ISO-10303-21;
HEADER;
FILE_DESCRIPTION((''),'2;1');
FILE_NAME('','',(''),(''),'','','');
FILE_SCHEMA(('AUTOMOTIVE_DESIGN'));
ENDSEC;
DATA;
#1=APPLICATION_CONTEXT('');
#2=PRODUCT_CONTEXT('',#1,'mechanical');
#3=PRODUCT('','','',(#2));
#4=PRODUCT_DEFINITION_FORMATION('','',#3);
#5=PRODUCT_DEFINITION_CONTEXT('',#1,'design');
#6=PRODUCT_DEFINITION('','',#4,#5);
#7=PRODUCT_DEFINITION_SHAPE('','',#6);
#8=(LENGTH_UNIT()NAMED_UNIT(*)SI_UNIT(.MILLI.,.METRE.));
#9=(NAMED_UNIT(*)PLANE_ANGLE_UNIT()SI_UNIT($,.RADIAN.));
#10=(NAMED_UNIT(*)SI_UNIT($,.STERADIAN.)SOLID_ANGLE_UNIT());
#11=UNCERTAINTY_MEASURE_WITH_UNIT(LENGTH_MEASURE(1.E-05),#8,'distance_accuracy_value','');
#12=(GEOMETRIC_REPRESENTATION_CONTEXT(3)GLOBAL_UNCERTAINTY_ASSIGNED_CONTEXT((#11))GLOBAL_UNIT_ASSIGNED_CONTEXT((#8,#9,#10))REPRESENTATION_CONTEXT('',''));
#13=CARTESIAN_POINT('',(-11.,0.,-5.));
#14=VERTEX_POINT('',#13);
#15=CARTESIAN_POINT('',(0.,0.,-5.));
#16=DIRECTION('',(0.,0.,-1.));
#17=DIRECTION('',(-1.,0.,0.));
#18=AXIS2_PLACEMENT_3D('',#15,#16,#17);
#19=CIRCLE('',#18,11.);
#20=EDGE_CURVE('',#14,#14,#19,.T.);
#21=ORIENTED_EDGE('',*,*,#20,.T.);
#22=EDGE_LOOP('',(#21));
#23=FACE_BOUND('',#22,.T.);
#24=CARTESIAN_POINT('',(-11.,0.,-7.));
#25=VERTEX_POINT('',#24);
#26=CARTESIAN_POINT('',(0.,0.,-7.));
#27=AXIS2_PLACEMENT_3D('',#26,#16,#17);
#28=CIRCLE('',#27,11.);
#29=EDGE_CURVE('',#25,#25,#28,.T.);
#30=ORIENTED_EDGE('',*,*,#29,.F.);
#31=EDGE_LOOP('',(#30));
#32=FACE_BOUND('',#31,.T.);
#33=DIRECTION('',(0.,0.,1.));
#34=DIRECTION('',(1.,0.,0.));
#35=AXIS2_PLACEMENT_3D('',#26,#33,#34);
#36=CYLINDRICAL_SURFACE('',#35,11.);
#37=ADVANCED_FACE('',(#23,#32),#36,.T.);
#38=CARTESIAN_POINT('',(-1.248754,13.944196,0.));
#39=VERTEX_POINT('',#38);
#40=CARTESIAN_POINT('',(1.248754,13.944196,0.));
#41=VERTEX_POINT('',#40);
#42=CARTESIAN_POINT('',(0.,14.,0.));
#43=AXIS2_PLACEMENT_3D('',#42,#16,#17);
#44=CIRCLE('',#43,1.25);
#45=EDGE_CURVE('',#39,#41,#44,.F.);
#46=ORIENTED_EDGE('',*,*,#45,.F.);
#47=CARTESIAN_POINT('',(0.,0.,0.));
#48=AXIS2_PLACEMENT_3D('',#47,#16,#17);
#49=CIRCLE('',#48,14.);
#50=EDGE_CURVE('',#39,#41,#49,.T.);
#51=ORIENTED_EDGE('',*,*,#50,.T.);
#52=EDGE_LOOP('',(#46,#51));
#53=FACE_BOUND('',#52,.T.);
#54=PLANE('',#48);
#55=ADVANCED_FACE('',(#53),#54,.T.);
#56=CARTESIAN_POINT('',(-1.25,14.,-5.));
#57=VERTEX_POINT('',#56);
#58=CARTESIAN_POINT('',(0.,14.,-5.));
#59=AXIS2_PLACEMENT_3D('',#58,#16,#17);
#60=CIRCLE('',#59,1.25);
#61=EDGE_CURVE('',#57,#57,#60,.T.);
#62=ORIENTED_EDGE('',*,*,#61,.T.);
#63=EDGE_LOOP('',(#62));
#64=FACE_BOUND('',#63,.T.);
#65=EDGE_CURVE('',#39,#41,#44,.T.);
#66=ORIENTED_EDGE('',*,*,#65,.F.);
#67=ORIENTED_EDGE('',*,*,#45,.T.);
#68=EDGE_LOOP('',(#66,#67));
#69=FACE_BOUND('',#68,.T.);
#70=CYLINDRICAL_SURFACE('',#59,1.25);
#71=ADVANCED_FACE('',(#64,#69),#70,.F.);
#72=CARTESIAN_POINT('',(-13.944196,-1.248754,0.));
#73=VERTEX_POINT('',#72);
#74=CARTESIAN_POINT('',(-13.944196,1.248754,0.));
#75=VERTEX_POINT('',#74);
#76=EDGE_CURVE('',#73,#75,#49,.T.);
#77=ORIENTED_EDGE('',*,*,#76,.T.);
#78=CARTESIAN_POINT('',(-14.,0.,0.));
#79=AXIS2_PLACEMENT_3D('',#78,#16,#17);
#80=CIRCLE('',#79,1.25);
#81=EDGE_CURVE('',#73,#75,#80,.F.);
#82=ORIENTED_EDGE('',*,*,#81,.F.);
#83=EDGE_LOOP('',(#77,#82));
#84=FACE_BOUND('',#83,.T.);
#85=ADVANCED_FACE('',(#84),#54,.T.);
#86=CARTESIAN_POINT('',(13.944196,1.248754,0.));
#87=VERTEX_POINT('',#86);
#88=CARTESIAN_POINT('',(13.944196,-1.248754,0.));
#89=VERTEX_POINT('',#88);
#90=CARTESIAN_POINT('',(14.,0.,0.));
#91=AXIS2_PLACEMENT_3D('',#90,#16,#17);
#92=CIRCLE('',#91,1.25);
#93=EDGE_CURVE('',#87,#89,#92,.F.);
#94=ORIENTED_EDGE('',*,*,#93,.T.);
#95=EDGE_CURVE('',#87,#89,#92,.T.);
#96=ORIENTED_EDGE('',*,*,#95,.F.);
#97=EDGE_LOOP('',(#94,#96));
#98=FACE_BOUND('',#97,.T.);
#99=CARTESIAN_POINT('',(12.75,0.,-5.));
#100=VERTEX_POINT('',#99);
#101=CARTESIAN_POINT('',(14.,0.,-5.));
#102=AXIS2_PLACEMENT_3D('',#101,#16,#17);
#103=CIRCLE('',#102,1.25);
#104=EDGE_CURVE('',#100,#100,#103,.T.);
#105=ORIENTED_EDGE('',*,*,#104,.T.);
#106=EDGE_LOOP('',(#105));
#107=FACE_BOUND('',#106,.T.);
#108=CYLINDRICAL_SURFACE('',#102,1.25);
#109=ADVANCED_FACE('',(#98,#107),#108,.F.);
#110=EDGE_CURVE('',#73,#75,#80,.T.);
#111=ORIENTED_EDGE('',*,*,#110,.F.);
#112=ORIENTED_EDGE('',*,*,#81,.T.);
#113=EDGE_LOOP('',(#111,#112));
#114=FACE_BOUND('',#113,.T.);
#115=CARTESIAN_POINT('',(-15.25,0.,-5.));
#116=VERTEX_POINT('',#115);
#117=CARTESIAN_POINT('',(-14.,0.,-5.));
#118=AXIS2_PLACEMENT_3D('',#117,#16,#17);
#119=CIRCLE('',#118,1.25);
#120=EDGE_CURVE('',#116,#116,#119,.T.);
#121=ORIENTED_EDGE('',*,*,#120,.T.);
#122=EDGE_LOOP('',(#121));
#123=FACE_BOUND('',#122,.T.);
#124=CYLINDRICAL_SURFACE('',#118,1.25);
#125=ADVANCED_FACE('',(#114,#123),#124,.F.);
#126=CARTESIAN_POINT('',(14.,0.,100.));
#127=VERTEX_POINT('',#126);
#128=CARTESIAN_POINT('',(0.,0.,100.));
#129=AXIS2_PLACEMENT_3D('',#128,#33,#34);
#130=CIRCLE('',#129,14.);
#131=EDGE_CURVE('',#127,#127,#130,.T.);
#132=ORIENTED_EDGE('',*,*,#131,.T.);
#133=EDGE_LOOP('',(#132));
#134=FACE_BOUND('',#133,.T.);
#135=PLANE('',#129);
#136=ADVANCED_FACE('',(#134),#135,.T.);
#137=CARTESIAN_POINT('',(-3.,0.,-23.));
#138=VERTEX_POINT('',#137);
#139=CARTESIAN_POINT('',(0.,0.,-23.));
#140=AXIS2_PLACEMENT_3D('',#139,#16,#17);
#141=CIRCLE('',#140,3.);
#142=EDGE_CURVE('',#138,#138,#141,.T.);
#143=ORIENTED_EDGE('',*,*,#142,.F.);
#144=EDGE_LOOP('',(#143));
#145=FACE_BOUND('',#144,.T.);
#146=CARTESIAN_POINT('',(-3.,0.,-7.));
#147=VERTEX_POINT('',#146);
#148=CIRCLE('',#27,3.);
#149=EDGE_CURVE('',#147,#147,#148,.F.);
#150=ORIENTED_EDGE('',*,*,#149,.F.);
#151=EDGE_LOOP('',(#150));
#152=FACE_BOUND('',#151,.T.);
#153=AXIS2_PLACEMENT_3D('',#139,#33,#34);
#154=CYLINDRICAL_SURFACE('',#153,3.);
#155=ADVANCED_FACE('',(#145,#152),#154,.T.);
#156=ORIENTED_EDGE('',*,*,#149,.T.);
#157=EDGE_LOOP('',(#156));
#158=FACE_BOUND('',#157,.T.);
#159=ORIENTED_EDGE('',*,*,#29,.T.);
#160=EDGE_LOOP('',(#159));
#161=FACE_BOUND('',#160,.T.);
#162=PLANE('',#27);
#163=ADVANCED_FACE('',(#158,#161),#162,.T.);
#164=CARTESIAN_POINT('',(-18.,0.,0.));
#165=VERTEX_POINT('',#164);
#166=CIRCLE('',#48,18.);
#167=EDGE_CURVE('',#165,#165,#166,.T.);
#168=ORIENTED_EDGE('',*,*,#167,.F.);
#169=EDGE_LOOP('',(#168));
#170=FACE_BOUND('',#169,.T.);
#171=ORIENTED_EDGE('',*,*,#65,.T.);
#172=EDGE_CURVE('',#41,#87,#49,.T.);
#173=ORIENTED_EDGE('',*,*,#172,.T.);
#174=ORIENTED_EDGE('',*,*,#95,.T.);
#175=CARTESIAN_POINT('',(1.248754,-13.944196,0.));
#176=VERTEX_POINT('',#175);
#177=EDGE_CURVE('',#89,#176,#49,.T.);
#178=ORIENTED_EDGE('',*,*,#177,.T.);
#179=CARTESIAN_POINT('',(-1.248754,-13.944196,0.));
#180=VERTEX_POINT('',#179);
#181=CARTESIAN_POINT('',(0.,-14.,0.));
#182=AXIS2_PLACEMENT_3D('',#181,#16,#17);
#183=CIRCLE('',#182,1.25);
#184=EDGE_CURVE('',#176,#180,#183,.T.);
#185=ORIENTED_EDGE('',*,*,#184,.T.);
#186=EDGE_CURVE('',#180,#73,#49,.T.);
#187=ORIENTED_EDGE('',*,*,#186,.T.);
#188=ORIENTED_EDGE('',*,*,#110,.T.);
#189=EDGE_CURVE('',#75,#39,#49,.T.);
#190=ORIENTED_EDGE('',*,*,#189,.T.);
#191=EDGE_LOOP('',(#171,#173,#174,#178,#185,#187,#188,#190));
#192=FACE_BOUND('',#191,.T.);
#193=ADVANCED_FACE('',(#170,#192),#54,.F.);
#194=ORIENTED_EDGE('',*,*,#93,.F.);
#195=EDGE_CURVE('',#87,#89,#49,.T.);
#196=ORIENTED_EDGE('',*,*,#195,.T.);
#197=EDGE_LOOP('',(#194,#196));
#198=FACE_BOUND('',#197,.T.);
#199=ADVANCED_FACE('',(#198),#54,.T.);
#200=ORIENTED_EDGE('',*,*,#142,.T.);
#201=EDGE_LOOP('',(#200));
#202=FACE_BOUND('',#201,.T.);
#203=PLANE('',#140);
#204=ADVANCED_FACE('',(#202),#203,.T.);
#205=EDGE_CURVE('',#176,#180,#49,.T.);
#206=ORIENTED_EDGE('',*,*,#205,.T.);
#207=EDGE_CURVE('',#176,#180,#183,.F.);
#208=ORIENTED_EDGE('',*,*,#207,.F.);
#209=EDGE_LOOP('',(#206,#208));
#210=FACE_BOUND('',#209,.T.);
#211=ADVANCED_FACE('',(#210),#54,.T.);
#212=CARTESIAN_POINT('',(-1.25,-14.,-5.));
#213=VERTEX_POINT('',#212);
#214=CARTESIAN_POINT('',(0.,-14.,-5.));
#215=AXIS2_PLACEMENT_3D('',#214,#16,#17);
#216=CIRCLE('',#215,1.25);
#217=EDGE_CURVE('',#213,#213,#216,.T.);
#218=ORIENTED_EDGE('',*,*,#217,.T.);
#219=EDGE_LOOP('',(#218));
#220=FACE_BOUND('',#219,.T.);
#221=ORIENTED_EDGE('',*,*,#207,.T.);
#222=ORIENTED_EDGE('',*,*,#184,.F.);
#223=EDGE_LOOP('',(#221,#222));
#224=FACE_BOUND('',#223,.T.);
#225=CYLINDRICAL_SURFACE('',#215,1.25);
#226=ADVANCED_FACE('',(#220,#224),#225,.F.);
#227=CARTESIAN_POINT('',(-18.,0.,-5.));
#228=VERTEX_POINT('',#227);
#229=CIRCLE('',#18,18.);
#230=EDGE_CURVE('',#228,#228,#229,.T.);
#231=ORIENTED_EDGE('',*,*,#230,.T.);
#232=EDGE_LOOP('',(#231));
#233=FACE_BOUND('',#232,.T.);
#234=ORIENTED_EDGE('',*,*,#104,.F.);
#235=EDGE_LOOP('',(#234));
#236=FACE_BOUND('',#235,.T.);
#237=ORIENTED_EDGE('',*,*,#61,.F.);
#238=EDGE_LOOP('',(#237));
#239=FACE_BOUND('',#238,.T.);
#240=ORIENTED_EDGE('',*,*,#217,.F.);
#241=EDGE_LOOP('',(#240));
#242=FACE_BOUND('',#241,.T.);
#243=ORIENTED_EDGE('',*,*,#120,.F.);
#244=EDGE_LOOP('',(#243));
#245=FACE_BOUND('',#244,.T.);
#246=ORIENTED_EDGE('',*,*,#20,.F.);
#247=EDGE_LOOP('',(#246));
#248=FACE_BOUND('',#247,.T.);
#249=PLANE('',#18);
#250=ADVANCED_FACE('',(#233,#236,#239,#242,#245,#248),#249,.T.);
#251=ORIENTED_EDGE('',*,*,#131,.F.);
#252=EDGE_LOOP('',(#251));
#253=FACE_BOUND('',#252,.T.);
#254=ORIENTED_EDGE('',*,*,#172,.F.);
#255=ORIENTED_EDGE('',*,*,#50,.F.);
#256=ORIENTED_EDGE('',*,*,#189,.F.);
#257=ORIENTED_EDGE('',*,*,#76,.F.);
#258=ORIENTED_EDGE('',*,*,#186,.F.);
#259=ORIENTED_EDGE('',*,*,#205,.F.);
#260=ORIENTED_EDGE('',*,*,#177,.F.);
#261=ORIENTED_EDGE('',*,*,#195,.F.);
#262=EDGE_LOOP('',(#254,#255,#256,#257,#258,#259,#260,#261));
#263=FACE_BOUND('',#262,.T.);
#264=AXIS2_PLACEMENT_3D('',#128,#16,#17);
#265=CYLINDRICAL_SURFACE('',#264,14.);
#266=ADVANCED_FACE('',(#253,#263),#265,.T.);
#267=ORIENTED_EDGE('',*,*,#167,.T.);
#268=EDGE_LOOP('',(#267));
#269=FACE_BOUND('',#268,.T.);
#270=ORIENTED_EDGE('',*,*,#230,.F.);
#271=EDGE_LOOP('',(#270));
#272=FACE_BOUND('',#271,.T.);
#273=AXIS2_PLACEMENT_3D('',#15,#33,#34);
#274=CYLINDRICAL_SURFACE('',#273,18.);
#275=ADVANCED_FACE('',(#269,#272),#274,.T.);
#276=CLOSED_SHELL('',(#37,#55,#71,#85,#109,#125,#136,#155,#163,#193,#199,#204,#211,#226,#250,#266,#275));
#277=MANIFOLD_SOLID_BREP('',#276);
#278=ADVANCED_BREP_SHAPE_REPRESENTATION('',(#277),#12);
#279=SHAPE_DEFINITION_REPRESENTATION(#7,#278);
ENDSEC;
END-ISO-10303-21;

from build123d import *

# Parameters (mm, degrees)
SKETCH1_R                 = 14
BOSS_EXTRUDE1_DEPTH       = 100
SKETCH2_R                 = 11
SKETCH2_R_2               = 3
BOSS_EXTRUDE2_DEPTH       = 7
SKETCH2_3_R               = 3
BOSS_EXTRUDE3_DEPTH       = 23
BOSS_EXTRUDE4_START       = 5
SKETCH2_4_R               = 18
SKETCH2_4_R_2             = 14
SKETCH2_4_R_3             = 11
BOSS_EXTRUDE4_DEPTH       = 5
M3X0_5_TAPPED_HOLE1_D     = 2.5
M3X0_5_TAPPED_HOLE1_DEPTH = 5


with BuildPart() as part:
    # Sketch1 → Boss-Extrude1 (new body)
    with BuildSketch(Plane.XY):
        Circle(SKETCH1_R)
    extrude(amount=BOSS_EXTRUDE1_DEPTH)

    # Sketch2 → Boss-Extrude2 (add)
    # profile 1 of 2: a face of its own
    with BuildSketch(Plane(origin=(0, 0, 0), x_dir=(-1, 0, 0), z_dir=(0, 0, -1))):
        Circle(SKETCH2_R)
        Circle(SKETCH2_R_2, mode=Mode.SUBTRACT)
    # profile 2 of 2: a face of its own
    with BuildSketch(Plane(origin=(0, 0, 0), x_dir=(-1, 0, 0), z_dir=(0, 0, -1))):
        Circle(SKETCH2_R_2)
    extrude(amount=BOSS_EXTRUDE2_DEPTH)

    # Sketch2<3> → Boss-Extrude3 (add)
    with BuildSketch(Plane(origin=(0, 0, 0), x_dir=(-1, 0, 0), z_dir=(0, 0, -1))):
        Circle(SKETCH2_3_R)
    extrude(amount=BOSS_EXTRUDE3_DEPTH)

    # Sketch2<4> → Boss-Extrude4 (add)
    # profile 1 of 2: a face of its own
    with BuildSketch(Plane(origin=(0, 0, 0), x_dir=(-1, 0, 0), z_dir=(0, 0, -1)).offset(BOSS_EXTRUDE4_START)):
        Circle(SKETCH2_4_R)
        Circle(SKETCH2_4_R_2, mode=Mode.SUBTRACT)
    # profile 2 of 2: a face of its own
    with BuildSketch(Plane(origin=(0, 0, 0), x_dir=(-1, 0, 0), z_dir=(0, 0, -1)).offset(BOSS_EXTRUDE4_START)):
        Circle(SKETCH2_4_R_2)
        Circle(SKETCH2_4_R_3, mode=Mode.SUBTRACT)
    extrude(amount=-BOSS_EXTRUDE4_DEPTH)

    # M3x0.5 Tapped Hole1
    with Locations(Plane(origin=(0, 0, -5), x_dir=(-1, 0, 0), z_dir=(0, 0, -1))):
        with Locations((0, 14), (14, 0), (0, -14), (-14, 0)):
            Hole(M3X0_5_TAPPED_HOLE1_D / 2, depth=M3X0_5_TAPPED_HOLE1_DEPTH)


solid = part.part
